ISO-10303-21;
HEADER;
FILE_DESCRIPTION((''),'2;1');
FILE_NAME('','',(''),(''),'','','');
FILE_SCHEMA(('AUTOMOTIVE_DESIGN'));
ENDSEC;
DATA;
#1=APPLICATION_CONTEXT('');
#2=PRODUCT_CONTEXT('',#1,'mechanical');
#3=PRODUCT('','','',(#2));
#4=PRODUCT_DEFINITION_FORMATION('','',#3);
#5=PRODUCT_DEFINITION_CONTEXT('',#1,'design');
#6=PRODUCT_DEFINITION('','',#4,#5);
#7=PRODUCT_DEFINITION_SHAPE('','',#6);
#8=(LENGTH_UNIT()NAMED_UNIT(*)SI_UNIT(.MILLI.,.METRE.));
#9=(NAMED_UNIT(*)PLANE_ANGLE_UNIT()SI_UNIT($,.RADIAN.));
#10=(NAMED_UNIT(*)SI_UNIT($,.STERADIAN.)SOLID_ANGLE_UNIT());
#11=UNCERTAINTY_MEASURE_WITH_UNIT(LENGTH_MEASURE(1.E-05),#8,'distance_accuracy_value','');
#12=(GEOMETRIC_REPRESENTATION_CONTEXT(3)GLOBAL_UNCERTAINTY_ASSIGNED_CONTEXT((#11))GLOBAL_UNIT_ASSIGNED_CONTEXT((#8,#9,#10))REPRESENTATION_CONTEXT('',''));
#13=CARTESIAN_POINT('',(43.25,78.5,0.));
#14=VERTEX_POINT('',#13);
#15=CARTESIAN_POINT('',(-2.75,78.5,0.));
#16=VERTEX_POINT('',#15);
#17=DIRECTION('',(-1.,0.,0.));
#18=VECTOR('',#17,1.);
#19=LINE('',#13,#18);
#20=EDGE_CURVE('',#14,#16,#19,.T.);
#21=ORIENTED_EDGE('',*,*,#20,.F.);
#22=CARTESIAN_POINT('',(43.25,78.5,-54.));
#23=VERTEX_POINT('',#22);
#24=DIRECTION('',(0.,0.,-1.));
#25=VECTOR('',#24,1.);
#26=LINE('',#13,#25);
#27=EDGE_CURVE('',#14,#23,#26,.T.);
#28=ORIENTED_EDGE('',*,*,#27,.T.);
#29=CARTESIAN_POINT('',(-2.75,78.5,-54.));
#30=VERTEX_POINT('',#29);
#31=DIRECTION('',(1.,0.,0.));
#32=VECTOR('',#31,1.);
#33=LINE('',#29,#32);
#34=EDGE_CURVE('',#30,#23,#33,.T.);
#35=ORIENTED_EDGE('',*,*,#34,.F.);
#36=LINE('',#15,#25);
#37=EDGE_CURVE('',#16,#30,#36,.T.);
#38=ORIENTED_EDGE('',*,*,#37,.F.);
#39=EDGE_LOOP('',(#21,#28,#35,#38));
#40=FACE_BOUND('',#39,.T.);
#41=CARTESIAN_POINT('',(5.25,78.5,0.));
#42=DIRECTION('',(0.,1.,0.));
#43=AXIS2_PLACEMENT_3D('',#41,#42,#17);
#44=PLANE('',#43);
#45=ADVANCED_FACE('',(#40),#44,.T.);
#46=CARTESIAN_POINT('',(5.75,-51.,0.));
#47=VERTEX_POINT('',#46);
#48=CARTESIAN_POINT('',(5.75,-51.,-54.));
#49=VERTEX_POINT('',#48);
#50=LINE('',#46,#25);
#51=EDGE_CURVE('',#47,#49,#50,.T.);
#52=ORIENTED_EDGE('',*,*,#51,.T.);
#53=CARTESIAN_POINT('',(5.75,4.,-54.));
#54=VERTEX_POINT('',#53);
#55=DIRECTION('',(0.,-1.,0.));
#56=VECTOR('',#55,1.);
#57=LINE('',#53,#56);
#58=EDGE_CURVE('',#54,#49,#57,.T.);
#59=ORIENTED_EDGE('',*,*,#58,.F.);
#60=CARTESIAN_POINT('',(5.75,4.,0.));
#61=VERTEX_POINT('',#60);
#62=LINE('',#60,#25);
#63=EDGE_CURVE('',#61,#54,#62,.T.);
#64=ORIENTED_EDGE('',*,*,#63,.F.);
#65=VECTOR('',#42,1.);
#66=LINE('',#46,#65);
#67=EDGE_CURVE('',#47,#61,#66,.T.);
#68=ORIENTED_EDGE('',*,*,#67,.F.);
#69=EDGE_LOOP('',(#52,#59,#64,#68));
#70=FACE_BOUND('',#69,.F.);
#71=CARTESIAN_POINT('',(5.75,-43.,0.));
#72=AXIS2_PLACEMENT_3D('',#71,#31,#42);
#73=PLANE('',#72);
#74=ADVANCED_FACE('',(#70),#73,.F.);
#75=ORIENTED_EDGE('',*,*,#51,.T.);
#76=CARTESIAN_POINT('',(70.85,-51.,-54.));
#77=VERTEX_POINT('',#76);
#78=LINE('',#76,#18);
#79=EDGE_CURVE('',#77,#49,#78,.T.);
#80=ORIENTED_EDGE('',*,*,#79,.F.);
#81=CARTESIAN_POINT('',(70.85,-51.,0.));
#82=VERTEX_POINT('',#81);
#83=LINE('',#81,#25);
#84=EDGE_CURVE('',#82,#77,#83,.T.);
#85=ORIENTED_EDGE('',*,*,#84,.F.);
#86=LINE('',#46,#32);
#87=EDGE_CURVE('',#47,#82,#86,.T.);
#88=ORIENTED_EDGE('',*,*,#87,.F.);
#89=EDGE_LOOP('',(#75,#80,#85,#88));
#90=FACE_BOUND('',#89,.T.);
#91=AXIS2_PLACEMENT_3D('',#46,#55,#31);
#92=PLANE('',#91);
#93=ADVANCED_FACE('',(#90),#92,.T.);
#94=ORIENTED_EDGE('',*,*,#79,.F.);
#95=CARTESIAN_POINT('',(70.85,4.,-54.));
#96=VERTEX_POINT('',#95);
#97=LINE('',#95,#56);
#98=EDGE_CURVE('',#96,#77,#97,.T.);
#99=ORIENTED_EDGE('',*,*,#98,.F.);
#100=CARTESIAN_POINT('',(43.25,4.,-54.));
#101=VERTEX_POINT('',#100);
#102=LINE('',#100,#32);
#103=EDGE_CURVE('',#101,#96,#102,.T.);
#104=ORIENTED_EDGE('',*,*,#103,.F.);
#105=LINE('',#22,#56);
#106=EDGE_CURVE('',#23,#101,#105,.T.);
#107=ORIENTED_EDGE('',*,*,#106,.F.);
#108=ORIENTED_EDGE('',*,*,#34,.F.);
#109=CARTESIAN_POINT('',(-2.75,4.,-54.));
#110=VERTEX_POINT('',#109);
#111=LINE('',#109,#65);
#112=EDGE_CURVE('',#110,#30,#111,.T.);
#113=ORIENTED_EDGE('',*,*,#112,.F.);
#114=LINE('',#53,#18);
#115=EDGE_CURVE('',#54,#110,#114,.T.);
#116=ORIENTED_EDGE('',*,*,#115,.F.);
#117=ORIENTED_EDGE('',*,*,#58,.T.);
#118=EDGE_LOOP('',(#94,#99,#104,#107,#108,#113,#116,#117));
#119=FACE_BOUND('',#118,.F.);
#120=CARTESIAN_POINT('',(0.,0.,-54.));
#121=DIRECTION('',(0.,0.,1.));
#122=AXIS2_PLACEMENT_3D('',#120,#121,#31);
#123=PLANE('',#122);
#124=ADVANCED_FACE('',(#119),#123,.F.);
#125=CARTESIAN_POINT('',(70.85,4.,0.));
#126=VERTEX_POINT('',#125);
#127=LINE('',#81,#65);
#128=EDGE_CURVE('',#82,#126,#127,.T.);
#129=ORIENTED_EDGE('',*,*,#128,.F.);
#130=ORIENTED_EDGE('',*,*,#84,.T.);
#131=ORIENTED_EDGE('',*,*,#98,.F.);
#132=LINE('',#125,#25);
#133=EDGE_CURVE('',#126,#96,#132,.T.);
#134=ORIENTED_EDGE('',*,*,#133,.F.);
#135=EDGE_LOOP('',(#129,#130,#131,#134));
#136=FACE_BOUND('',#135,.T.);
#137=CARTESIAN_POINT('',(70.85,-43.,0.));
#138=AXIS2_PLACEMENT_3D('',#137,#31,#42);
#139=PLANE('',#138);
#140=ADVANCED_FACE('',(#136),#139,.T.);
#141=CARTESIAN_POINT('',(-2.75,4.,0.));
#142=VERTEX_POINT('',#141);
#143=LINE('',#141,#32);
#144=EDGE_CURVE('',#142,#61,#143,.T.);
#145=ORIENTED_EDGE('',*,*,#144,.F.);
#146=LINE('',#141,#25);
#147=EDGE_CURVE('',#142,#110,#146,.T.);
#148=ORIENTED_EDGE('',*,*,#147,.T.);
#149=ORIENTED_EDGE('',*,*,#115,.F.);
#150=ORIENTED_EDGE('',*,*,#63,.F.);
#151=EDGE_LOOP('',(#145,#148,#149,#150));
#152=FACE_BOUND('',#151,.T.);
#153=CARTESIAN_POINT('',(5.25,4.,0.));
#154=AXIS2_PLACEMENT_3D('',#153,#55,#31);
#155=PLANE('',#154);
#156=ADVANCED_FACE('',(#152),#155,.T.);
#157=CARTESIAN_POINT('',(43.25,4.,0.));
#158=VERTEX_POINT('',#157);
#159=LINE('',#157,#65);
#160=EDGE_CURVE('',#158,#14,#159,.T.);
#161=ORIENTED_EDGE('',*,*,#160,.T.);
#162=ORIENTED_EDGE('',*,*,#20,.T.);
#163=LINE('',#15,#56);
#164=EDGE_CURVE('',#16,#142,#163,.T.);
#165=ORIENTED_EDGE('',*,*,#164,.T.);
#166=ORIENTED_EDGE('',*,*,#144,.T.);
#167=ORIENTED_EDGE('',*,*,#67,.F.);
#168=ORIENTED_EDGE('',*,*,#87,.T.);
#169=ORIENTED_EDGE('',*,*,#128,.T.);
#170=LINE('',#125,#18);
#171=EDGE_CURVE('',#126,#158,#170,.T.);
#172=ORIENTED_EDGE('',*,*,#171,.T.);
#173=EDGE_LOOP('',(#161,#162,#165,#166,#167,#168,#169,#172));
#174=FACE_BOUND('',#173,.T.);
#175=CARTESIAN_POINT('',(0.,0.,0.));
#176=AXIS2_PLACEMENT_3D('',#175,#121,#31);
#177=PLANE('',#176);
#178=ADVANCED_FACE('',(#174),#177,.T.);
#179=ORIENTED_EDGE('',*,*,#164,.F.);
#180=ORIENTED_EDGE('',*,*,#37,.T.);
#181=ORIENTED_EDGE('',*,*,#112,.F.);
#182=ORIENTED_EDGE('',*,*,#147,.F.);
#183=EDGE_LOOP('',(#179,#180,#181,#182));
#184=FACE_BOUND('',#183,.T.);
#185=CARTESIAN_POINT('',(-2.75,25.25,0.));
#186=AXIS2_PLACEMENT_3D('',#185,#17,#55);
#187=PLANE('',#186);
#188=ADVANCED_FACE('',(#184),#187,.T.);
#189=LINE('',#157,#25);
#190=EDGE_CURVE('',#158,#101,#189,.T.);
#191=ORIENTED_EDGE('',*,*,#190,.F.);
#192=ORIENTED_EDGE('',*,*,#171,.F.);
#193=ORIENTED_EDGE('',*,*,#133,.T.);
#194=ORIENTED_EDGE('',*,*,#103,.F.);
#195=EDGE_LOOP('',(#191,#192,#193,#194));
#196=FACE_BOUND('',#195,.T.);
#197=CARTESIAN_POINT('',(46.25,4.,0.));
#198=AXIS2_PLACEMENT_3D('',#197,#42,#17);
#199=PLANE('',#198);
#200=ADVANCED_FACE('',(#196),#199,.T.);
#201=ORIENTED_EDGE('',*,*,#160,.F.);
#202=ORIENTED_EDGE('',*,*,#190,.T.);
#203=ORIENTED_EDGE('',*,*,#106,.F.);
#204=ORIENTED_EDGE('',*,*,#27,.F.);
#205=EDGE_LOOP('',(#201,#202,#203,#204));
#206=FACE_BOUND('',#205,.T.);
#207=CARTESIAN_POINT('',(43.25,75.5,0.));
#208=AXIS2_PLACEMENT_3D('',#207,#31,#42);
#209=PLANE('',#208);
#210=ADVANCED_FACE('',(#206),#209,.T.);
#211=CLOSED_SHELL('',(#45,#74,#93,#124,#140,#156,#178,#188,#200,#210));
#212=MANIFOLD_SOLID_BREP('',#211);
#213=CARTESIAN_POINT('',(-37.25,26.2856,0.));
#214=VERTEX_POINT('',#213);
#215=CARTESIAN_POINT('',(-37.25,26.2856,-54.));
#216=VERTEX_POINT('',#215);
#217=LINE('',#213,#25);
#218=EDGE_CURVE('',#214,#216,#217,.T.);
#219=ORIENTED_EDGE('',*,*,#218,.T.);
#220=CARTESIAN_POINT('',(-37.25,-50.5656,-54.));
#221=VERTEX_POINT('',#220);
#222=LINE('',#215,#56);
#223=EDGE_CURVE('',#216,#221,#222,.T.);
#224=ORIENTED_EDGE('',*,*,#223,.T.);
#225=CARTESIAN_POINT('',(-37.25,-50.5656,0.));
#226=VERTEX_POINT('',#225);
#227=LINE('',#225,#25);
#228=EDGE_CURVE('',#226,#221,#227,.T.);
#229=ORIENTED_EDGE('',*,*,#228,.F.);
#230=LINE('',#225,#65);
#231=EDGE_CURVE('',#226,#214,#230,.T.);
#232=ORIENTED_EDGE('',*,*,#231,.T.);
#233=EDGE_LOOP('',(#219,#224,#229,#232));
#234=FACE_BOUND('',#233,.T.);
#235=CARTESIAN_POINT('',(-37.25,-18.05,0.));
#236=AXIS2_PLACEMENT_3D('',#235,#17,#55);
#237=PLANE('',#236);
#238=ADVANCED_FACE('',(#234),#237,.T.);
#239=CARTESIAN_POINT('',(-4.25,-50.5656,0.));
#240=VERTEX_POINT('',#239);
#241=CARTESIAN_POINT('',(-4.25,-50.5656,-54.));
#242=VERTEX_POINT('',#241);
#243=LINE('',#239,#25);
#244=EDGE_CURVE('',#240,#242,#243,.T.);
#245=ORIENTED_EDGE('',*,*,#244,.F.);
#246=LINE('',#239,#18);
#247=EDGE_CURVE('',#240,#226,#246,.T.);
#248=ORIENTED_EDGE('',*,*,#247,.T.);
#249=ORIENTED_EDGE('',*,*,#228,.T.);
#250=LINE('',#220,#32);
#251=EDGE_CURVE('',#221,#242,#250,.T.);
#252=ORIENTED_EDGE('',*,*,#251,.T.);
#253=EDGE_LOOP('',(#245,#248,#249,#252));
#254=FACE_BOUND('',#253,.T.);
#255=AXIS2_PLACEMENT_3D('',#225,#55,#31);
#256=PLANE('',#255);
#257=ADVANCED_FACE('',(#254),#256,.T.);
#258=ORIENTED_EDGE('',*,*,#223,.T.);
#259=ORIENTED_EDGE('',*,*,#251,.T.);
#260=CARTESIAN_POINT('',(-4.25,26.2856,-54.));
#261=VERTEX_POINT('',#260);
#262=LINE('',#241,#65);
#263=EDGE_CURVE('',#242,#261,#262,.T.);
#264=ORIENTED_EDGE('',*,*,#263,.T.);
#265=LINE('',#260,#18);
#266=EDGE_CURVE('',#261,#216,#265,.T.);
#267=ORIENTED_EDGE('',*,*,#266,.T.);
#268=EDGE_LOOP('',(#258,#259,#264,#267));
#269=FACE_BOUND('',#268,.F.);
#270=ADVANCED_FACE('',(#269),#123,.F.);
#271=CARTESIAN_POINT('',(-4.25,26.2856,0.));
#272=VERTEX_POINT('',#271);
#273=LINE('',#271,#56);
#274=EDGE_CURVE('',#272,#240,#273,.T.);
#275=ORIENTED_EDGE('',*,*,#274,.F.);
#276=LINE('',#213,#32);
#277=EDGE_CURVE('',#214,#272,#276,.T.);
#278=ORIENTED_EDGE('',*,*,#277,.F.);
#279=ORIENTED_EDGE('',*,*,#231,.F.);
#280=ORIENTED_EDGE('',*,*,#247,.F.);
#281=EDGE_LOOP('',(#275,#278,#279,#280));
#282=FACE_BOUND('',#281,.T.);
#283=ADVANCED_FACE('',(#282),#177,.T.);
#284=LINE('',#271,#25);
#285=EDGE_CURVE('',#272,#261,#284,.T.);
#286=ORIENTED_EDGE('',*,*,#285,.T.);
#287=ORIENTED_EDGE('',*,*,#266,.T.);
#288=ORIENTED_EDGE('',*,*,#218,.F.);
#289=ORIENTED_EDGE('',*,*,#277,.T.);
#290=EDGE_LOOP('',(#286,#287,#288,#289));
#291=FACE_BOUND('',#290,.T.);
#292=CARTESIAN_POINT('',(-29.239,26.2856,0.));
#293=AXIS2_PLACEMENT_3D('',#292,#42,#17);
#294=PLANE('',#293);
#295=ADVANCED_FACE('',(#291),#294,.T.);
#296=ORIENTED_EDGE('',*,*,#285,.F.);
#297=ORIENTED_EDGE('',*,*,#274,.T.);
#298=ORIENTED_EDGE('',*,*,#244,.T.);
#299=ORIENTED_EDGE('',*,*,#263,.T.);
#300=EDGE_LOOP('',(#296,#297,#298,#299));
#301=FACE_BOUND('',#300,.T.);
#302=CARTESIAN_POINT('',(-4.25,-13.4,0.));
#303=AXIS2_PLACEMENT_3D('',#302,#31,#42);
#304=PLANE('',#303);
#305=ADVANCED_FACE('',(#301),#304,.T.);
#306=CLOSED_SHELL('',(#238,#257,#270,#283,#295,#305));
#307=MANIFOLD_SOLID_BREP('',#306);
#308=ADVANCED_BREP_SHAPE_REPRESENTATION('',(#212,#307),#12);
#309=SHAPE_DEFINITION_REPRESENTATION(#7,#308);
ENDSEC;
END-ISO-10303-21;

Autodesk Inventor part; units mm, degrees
ref_plane "YZ Plane" through (0, 0, 0) normal (1, 0, 0) x (0, 1, 0)
ref_plane "XZ Plane" through (0, 0, 0) normal (0, 1, 0) x (-1, 0, 0)
sketch "Skizze1" plane through (0, 0, 0) normal (0, 0, 1) x (1, 0, 0)
  line L0 (-36.25, -50.5656) -> (-5.25, -50.5656) projected
  line L1 (-37.25, -13.4) -> (-37.25, -18.05)
  line L2 (-4.25, -13.4) -> (-4.25, -18.05)
  line L3 (-12.261, 26.2856) -> (-29.239, 26.2856) projected
  line L4 (5.75, -43) -> (5.75, -13) projected
  line L5 (70.85, -43) -> (70.85, -45) projected
  line L6 (35.25, 78.5) -> (5.25, 78.5) projected
  line L7 (-2.75, 72.25) -> (-2.75, 25.25) projected
  line L8 (43.25, 75.5) -> (43.25, 22) projected
  line L9 (-37.25, -50.5656) -> (-4.25, -50.5656)
  line L10 (-4.25, -50.5656) -> (-4.25, 26.2856)
  line L11 (-4.25, 26.2856) -> (-37.25, 26.2856)
  line L12 (-37.25, 26.2856) -> (-37.25, -50.5656)
  line L13 (5.75, -51) -> (70.85, -51)
  line L14 (70.85, -51) -> (70.85, 4)
  line L15 (70.85, 4) -> (5.75, 4)
  line L16 (5.75, 4) -> (5.75, -51)
  line L17 (62.25, -51) -> (8.75, -51) projected
  line L18 (5.25, 4) -> (46.25, 4) projected
  line L19 (43.25, 78.5) -> (-2.75, 78.5)
  line L20 (-2.75, 78.5) -> (-2.75, 4)
  line L21 (-2.75, 4) -> (43.25, 4)
  line L22 (43.25, 4) -> (43.25, 78.5)
  point P0 (0, 0)
ref_plane "Arbeitsebene1" through (-35, -4, -54) normal (0, 0, -1) x (0, 1, 0)
extrude "Extrusion1" add sketch "Skizze1" against normal up to surface (54 mm away)
properties part number "dulli_hand_arschfick"
